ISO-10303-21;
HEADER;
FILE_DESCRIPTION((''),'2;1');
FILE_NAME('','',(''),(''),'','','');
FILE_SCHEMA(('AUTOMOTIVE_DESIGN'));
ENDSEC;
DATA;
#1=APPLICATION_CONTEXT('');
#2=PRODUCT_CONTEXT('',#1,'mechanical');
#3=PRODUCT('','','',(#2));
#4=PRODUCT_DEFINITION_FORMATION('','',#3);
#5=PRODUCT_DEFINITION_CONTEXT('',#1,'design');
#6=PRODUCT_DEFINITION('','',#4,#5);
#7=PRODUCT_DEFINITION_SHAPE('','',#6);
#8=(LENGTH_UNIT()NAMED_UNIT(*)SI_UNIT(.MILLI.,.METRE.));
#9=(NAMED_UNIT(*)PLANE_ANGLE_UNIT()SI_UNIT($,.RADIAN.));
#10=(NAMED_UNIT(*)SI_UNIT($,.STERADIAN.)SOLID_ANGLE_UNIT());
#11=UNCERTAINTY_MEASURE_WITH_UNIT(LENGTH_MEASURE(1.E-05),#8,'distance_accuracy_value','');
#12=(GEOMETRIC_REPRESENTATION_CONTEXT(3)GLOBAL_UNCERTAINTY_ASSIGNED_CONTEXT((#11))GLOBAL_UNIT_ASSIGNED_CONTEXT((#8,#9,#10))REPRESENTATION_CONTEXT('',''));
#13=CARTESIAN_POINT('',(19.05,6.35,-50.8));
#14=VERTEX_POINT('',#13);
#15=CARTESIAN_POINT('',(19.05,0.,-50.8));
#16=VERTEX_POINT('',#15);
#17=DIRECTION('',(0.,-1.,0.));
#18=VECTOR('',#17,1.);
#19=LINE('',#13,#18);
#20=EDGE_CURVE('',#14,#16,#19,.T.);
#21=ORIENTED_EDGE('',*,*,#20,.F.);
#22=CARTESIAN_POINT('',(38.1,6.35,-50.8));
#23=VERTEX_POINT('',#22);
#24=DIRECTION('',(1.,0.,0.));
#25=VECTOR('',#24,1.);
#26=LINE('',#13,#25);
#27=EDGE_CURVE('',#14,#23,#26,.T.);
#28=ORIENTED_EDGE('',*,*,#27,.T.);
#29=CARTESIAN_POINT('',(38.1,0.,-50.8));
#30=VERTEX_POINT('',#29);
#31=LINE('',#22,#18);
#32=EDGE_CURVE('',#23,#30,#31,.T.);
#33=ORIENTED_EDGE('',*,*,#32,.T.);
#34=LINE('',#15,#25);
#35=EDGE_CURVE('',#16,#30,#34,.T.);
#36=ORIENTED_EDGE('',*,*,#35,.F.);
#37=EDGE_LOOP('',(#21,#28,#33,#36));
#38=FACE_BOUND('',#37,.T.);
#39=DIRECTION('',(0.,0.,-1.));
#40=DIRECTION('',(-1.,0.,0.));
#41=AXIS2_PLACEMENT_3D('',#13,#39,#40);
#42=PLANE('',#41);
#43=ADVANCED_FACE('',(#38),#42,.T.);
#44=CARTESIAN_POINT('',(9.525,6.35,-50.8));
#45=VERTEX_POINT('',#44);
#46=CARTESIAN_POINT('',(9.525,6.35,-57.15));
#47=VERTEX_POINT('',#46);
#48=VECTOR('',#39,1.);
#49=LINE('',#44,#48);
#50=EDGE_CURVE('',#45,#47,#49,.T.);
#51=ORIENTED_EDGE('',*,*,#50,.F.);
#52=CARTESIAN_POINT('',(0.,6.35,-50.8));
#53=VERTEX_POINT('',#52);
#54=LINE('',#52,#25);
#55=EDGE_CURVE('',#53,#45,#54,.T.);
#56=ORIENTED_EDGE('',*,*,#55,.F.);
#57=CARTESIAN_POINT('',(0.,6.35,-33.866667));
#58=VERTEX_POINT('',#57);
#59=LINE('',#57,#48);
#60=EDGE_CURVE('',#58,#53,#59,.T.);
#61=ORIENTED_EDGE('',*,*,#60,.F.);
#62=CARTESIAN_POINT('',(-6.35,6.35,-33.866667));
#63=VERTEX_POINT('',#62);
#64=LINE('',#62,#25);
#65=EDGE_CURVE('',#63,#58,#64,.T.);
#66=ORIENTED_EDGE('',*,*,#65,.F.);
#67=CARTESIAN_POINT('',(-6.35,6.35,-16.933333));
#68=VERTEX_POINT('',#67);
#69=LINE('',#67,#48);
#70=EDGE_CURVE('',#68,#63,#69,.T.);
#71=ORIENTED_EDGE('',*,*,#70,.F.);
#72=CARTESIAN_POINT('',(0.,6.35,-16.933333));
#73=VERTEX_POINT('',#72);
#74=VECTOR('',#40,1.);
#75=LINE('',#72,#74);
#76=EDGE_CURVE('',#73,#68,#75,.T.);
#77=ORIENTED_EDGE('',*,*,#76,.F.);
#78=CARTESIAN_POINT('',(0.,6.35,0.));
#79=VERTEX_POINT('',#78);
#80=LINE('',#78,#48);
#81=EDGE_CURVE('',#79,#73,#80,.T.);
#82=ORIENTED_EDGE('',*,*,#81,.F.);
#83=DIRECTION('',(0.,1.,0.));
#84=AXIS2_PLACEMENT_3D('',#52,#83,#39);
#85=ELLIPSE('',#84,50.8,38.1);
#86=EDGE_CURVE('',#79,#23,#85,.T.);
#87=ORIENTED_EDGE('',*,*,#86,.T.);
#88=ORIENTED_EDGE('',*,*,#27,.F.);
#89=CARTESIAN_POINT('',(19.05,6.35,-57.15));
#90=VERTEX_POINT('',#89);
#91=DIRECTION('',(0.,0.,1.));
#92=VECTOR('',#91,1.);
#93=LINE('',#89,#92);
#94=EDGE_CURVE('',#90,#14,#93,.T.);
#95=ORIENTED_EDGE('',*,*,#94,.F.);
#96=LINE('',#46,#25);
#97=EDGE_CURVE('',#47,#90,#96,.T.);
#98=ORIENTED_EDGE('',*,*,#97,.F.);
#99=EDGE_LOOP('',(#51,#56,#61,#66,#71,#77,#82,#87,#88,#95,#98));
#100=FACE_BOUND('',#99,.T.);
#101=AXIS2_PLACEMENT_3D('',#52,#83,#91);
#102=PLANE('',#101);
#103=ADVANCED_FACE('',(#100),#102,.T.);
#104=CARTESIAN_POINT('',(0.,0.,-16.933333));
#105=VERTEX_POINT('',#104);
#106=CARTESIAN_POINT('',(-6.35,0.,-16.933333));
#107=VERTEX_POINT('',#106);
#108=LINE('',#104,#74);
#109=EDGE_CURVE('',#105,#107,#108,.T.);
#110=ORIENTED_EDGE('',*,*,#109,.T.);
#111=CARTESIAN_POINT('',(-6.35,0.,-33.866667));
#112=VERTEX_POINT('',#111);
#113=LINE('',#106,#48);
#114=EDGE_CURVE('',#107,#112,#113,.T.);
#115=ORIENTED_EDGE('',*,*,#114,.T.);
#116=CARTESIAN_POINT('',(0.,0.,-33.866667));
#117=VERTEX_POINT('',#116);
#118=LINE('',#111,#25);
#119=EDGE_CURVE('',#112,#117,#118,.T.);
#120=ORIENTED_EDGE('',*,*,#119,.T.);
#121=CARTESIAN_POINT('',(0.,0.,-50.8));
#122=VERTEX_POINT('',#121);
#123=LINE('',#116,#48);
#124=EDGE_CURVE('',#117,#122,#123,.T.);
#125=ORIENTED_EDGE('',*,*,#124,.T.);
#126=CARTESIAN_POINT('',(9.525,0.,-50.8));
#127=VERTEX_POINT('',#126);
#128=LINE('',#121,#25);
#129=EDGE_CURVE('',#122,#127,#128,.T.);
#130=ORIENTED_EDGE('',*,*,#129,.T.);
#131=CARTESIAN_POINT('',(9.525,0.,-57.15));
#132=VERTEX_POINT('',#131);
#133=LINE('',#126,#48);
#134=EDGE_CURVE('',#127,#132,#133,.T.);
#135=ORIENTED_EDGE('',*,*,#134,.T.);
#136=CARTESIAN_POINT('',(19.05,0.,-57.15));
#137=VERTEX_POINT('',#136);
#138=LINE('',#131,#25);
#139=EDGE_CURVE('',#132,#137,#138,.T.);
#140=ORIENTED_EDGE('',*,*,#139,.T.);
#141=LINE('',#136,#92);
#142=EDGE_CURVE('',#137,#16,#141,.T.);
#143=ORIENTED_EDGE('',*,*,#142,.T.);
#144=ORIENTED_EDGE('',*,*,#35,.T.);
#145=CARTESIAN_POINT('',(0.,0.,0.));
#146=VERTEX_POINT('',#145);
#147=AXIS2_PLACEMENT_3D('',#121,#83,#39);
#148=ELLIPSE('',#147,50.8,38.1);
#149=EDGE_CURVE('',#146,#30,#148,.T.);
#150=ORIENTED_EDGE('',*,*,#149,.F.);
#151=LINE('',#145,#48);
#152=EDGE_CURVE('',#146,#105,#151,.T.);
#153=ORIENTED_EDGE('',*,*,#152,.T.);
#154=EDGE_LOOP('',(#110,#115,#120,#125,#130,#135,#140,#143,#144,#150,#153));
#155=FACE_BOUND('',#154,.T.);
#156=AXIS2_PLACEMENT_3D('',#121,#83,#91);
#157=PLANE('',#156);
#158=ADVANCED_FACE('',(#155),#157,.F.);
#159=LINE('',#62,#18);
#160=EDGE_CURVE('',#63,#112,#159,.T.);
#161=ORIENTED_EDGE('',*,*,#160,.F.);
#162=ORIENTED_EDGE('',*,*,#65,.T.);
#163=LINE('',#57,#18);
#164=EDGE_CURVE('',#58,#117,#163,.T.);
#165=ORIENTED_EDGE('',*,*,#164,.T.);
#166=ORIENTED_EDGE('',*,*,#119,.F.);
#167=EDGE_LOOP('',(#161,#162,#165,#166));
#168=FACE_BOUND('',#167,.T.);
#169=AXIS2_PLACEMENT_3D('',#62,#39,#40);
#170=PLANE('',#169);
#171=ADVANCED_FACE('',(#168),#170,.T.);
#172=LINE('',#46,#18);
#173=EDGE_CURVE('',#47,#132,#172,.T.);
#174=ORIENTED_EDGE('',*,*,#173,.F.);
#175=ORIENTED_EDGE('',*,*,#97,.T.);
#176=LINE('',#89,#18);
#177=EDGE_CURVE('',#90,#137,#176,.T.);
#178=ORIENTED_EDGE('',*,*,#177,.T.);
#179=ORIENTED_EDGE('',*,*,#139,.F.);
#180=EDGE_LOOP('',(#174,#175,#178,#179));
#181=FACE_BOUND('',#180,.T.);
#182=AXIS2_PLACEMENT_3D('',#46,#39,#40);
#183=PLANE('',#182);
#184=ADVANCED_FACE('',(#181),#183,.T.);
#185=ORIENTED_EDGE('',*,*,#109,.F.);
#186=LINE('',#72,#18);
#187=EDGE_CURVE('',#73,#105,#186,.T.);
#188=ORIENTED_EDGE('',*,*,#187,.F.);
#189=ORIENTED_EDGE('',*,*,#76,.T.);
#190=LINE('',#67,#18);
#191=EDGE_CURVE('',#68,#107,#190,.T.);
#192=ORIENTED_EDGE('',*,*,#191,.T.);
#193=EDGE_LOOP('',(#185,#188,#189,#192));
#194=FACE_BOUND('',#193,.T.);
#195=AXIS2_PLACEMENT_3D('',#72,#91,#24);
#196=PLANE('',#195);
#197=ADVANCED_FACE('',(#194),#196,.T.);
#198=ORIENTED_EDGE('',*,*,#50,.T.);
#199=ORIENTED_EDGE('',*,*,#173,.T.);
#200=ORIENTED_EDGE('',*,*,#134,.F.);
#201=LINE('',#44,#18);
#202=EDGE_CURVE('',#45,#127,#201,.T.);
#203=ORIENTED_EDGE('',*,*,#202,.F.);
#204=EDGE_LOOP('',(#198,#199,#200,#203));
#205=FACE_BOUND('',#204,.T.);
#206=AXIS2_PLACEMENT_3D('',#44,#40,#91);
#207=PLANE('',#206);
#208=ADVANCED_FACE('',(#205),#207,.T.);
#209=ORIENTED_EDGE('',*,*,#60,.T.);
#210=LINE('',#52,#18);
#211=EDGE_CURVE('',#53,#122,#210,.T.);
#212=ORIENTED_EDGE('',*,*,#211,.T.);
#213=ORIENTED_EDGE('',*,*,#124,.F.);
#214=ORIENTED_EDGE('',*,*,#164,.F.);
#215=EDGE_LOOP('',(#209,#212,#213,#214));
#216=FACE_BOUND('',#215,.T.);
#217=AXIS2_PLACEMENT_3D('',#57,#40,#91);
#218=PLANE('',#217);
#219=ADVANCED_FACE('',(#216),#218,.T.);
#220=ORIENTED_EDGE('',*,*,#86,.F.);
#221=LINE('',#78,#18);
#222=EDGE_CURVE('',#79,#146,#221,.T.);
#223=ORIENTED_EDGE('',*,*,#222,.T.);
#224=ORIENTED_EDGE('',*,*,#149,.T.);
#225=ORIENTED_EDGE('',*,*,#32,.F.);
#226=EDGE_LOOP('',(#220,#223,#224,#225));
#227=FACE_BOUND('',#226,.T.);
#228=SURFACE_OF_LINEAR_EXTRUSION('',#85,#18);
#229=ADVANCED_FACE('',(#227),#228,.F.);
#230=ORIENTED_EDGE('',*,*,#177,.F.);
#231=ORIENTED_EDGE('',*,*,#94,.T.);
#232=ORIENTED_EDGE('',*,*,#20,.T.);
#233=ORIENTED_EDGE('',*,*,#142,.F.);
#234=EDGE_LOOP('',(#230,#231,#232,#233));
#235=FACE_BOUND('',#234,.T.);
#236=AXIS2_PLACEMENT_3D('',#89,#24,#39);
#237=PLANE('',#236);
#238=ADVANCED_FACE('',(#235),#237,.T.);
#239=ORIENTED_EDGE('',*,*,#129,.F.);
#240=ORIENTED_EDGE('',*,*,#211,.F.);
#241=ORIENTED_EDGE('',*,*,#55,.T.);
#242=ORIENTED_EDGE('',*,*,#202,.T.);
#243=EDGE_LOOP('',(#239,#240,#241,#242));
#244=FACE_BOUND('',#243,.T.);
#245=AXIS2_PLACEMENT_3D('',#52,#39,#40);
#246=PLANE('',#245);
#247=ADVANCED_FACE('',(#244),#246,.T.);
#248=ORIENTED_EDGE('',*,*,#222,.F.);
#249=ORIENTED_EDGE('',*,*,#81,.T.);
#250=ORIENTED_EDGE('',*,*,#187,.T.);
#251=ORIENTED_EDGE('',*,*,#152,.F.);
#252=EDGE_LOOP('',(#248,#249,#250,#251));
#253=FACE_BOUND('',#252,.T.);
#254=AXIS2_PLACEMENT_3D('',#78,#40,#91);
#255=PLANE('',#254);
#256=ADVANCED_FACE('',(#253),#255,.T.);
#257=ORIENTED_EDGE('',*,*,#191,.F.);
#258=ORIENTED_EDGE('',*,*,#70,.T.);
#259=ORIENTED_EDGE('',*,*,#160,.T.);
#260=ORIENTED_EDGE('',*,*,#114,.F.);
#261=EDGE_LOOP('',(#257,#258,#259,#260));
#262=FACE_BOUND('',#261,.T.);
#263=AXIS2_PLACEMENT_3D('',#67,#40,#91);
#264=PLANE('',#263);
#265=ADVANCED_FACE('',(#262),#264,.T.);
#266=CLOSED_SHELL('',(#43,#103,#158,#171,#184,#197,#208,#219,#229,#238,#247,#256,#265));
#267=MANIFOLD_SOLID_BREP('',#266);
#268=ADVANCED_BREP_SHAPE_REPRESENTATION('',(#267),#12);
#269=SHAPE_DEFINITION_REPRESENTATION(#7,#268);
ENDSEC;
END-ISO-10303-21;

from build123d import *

# Parameters (mm, degrees)
BOSS_EXTRUDE1_DEPTH = 6.35


with BuildPart() as part:
    # Sketch1 → Boss-Extrude1 (new body)
    with BuildSketch(Plane(origin=(0, 0, 0), x_dir=(1, 0, 0), z_dir=(0, 1, 0))):
        with BuildLine():
            Line((0, 0), (0, 16.933333418))
            Line((0, 16.933333418), (-6.35, 16.933333418))
            Line((-6.35, 16.933333418), (-6.35, 33.866666751))
            Line((-6.35, 33.866666751), (0, 33.866666751))
            Line((0, 33.866666751), (0, 50.800000085))
            Line((0, 50.800000085), (9.525, 50.800000085))
            Line((9.525, 50.800000085), (9.525, 57.150000085))
            Line((9.525, 57.150000085), (19.05, 57.150000085))
            Line((19.05, 57.150000085), (19.05, 50.800000085))
            Line((19.05, 50.800000085), (38.1, 50.800000085))
            add(Edge.make_bspline(
                [(0, 0), (38.1, 0), (38.1, 50.800000085)],
                knots=[3.141592654, 3.141592654, 3.141592654, 4.71238898, 4.71238898, 4.71238898], degree=2, weights=[1, 0.707106781, 1]))
        make_face()
    extrude(amount=BOSS_EXTRUDE1_DEPTH)


solid = part.part
